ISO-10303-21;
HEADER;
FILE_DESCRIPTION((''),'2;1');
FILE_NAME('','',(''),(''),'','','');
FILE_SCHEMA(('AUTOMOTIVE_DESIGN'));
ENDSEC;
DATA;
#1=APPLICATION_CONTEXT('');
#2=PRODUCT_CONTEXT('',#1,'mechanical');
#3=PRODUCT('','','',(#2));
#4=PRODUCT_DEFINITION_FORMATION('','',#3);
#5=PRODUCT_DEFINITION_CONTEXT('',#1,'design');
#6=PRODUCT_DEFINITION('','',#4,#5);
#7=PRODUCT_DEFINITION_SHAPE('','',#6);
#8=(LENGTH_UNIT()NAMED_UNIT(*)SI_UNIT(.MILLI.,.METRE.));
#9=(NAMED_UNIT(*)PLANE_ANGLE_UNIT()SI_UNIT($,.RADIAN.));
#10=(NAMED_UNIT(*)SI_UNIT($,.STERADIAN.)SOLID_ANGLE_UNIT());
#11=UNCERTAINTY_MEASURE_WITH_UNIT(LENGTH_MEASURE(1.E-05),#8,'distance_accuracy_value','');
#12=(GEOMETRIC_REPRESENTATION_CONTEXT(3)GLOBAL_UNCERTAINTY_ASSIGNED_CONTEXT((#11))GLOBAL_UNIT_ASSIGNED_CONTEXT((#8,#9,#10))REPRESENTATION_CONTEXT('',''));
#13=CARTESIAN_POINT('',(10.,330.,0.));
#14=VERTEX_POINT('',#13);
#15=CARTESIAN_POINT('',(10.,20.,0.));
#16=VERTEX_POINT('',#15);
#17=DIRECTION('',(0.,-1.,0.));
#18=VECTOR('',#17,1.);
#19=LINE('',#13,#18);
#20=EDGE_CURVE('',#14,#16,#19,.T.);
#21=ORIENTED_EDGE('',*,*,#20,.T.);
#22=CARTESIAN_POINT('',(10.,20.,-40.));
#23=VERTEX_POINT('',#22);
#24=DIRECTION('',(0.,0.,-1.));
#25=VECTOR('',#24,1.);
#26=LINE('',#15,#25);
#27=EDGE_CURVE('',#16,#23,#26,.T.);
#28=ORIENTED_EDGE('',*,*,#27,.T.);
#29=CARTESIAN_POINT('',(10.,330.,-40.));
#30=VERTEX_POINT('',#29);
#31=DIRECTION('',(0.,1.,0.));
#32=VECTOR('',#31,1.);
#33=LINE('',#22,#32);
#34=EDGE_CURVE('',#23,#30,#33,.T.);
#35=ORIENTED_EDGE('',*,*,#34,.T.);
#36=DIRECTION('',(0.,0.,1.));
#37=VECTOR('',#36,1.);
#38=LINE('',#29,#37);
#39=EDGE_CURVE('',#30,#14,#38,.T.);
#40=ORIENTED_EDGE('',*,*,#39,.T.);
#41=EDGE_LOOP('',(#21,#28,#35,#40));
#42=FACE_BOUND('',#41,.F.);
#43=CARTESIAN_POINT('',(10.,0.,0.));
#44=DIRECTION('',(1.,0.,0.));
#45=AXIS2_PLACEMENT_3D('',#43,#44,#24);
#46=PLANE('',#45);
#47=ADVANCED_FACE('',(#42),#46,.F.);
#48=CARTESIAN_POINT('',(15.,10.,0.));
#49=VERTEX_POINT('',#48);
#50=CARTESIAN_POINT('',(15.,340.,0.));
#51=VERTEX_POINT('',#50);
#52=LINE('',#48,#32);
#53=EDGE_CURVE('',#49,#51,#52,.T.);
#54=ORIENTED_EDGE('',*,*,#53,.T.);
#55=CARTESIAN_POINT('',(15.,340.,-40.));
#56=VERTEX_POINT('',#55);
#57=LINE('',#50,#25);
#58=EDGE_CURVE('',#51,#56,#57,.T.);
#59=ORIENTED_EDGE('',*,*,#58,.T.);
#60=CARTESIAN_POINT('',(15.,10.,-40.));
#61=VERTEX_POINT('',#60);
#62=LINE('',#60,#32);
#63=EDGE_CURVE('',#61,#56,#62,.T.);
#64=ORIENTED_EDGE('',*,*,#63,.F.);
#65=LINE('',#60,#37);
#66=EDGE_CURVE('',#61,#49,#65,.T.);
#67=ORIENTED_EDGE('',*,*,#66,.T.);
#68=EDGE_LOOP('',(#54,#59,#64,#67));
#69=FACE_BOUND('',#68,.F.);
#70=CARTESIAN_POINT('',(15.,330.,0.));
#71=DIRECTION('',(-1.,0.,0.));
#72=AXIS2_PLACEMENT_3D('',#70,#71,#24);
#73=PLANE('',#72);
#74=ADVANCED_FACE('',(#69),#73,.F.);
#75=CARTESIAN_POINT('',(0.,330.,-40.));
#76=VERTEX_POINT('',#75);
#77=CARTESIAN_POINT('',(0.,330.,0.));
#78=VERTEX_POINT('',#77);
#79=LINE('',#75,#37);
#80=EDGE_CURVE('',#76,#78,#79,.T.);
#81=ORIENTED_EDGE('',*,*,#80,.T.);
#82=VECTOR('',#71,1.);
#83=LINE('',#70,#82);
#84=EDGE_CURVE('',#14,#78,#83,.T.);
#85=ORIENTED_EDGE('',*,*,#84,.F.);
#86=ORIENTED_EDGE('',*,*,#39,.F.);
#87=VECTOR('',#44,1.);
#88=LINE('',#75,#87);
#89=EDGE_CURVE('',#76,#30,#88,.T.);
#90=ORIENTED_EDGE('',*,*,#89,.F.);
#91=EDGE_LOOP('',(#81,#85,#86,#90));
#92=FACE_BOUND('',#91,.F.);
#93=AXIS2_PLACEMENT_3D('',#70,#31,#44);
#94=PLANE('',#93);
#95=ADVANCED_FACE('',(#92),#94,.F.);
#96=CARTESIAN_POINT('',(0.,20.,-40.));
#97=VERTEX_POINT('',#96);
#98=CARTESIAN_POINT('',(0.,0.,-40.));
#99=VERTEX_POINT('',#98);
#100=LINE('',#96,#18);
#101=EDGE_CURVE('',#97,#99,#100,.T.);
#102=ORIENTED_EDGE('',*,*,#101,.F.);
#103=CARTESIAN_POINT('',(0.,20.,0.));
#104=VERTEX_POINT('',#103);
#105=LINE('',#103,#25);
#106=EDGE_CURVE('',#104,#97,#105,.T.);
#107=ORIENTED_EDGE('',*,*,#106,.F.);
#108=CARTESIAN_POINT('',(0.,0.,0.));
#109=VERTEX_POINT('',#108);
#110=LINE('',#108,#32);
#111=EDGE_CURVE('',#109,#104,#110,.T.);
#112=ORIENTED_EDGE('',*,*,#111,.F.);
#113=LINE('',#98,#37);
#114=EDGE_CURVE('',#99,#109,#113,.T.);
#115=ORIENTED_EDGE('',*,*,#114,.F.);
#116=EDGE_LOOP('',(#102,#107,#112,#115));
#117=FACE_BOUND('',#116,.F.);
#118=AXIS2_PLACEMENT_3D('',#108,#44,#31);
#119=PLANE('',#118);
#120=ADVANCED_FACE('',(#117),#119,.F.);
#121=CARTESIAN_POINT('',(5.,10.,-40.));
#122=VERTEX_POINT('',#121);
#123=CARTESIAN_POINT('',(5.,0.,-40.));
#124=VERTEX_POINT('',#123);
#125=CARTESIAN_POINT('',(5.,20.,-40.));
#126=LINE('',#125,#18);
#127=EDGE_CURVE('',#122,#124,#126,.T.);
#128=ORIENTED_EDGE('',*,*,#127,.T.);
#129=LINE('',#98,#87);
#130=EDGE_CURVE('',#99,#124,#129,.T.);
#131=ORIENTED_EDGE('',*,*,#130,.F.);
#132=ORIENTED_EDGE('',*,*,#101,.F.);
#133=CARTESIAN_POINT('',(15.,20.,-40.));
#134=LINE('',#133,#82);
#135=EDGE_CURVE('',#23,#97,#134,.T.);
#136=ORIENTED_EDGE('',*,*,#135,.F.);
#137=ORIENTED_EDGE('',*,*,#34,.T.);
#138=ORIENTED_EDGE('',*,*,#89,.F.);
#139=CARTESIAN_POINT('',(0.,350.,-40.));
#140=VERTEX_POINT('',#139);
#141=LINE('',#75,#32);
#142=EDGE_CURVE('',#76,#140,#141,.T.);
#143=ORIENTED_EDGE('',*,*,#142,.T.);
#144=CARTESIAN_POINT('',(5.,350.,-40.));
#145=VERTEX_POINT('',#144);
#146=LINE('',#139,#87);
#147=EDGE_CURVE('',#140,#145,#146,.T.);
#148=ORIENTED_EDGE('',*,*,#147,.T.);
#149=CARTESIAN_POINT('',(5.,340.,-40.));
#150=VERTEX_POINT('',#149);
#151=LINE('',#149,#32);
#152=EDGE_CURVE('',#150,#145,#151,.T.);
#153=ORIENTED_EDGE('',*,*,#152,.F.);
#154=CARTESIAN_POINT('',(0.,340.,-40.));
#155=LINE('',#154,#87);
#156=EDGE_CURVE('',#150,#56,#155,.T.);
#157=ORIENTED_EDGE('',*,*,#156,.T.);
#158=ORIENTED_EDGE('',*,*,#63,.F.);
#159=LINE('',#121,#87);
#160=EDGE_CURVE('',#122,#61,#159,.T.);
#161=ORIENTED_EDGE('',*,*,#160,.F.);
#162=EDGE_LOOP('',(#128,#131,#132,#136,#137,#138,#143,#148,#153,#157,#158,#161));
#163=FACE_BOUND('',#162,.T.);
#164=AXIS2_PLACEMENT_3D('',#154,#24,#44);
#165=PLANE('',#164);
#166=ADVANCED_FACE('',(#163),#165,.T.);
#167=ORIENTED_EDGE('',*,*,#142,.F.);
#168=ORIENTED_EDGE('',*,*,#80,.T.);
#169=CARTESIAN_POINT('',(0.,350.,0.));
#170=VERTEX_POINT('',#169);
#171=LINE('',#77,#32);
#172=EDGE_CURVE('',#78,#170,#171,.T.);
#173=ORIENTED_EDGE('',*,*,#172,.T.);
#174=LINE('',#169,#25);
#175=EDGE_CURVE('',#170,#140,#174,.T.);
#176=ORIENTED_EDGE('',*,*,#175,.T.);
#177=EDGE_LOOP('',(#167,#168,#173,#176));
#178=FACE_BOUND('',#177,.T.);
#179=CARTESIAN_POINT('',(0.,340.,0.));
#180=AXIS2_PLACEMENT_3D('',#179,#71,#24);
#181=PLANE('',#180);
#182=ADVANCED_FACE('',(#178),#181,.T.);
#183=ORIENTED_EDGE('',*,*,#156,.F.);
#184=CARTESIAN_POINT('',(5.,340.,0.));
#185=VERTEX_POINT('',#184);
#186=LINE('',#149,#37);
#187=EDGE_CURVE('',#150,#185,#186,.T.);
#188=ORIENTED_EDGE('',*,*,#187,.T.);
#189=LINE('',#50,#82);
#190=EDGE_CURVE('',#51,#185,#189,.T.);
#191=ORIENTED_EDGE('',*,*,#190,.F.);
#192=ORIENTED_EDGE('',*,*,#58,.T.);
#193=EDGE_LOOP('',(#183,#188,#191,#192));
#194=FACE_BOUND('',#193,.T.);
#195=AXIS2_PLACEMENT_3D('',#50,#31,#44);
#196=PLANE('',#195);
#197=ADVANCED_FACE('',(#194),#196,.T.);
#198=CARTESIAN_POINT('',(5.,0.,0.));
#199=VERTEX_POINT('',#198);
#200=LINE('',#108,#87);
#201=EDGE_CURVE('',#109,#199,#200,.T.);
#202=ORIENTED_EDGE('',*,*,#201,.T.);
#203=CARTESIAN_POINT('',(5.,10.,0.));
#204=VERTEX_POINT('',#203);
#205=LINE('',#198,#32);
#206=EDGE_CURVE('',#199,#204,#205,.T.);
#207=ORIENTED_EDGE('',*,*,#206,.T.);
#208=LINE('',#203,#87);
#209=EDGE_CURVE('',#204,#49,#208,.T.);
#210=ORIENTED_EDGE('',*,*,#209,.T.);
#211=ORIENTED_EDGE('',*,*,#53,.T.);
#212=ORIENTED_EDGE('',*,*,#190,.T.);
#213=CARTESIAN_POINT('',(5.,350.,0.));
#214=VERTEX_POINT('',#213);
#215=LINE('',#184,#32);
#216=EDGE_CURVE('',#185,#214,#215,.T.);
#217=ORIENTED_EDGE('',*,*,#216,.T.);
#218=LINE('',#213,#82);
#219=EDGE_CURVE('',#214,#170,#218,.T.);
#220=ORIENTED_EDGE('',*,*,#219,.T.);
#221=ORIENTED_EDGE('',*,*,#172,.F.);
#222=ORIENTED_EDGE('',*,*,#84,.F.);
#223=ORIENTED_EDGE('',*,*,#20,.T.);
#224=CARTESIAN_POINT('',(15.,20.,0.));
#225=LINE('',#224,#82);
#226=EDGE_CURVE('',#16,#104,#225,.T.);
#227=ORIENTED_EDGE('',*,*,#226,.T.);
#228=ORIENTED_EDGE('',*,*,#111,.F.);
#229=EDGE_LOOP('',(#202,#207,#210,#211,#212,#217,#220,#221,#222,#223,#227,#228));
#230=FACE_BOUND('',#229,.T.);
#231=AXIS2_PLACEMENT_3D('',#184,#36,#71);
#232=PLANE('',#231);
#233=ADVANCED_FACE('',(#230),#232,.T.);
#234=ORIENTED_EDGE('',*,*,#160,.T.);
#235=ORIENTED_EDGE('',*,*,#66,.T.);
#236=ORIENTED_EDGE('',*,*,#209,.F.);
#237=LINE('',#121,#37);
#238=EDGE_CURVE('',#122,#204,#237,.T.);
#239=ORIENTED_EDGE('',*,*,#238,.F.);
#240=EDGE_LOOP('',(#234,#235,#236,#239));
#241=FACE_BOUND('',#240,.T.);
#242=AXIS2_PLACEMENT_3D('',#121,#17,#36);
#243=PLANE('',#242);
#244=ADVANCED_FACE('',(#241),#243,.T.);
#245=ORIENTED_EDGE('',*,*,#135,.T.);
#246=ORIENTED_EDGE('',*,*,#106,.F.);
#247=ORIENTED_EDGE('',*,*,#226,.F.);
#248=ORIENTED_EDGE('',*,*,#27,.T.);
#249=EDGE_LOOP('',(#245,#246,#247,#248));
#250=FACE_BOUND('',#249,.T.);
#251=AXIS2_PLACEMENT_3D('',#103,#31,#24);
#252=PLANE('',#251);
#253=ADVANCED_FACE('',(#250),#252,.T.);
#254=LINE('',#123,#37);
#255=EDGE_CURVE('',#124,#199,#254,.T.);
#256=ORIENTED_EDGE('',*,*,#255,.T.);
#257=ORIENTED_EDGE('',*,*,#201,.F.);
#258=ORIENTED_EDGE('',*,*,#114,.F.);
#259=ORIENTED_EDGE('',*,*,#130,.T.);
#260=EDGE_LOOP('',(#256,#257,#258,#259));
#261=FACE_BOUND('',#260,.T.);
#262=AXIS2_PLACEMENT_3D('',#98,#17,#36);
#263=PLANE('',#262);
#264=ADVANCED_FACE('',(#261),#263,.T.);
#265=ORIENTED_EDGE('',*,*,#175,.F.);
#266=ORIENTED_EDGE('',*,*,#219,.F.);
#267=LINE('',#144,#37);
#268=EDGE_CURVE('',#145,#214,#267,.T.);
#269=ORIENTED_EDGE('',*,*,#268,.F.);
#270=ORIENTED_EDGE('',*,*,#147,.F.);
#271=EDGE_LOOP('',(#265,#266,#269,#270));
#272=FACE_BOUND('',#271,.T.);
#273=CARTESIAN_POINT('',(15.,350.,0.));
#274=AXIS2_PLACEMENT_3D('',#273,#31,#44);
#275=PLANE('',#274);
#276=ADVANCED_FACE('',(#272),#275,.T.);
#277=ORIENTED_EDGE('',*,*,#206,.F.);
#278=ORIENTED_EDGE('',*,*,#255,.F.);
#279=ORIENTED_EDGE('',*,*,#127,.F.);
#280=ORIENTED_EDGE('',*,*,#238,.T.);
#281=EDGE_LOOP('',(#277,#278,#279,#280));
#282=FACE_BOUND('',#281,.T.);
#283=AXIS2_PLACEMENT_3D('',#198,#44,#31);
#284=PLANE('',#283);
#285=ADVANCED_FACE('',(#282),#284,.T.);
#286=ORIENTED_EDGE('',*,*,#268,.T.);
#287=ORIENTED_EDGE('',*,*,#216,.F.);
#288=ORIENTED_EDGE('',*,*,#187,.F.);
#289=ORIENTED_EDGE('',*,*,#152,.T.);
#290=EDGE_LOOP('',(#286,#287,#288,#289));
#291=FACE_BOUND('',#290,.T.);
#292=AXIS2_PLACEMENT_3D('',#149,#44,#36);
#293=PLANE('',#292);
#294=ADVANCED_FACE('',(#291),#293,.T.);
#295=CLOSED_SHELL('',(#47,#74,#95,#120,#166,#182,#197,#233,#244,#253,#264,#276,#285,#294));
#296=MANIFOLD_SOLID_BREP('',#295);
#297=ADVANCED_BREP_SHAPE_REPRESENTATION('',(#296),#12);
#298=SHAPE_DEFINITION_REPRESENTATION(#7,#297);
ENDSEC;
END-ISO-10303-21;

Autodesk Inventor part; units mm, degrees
ref_plane "YZ Plane" through (0, 0, 0) normal (1, 0, 0) x (0, 1, 0)
ref_plane "XZ Plane" through (0, 0, 0) normal (0, 1, 0) x (-1, 0, 0)
ref_plane "XY Plane" through (0, 0, 0) normal (0, 0, 1) x (1, 0, 0)
sketch "스케치1" plane through (0, 0, 0) normal (1, 0, 0) x (0, 1, 0)
  line L0 (0, 0) -> (20, 0)
  line L1 (20, 0) -> (20, -40)
  line L2 (20, -40) -> (0, -40)
  line L3 (0, -40) -> (0, 0)
  dimension "d0" = 20
  dimension "d1" = 40
extrude "돌출1" add sketch "스케치1" along normal blind 5
sketch "스케치2" plane through (5, 0, 0) normal (1, 0, 0) x (0, 0, -1)
  line L0 (40, 20) -> (0, 20) projected
  line L1 (0, 20) -> (40, 20)
  line L2 (40, 20) -> (40, 10)
  line L3 (40, 10) -> (0, 10)
  line L4 (0, 10) -> (0, 20)
  point P0 (0, 0)
  dimension "d4" = 40
  dimension "d5" = 10
extrude "돌출2" add sketch "스케치2" along normal blind 10
sketch "스케치3" plane through (15, 0, 0) normal (1, 0, 0) x (0, 0, -1)
  line L0 (0, 20) -> (40, 20)
  line L1 (40, 20) -> (40, 330)
  line L2 (40, 330) -> (0, 330)
  line L3 (0, 330) -> (0, 20)
  line L4 (40, 20) -> (0, 20) projected
  point P0 (0, 0)
  dimension "d8" = 40
  dimension "d9" = 310
extrude "돌출3" add sketch "스케치3" against normal blind 5
sketch "스케치4" plane through (15, 330, 0) normal (0, 1, 0) x (1, 0, 0)
  line L0 (0, 0) -> (0, 40) projected
  line L1 (-15, 40) -> (-15, 0) projected
  line L2 (0, 0) -> (-15, 0)
  line L3 (-15, 0) -> (-15, 40)
  line L4 (-15, 40) -> (0, 40)
  line L5 (0, 40) -> (0, 0)
  dimension "d15" = 15
  dimension "d16" = 40
extrude "돌출4" add sketch "스케치4" along normal blind 10
sketch "스케치5" plane through (15, 340, 0) normal (0, 1, 0) x (1, 0, 0)
  line L0 (-15, 40) -> (-10, 40) projected
  line L1 (-15, 40) -> (-10, 40)
  line L2 (-10, 40) -> (-10, 0)
  line L3 (-10, 0) -> (-15, 0)
  line L4 (-15, 0) -> (-15, 40)
  dimension "d19" = 5
  dimension "d20" = 40
extrude "돌출5" add sketch "스케치5" along normal blind 10
properties part number "link"
